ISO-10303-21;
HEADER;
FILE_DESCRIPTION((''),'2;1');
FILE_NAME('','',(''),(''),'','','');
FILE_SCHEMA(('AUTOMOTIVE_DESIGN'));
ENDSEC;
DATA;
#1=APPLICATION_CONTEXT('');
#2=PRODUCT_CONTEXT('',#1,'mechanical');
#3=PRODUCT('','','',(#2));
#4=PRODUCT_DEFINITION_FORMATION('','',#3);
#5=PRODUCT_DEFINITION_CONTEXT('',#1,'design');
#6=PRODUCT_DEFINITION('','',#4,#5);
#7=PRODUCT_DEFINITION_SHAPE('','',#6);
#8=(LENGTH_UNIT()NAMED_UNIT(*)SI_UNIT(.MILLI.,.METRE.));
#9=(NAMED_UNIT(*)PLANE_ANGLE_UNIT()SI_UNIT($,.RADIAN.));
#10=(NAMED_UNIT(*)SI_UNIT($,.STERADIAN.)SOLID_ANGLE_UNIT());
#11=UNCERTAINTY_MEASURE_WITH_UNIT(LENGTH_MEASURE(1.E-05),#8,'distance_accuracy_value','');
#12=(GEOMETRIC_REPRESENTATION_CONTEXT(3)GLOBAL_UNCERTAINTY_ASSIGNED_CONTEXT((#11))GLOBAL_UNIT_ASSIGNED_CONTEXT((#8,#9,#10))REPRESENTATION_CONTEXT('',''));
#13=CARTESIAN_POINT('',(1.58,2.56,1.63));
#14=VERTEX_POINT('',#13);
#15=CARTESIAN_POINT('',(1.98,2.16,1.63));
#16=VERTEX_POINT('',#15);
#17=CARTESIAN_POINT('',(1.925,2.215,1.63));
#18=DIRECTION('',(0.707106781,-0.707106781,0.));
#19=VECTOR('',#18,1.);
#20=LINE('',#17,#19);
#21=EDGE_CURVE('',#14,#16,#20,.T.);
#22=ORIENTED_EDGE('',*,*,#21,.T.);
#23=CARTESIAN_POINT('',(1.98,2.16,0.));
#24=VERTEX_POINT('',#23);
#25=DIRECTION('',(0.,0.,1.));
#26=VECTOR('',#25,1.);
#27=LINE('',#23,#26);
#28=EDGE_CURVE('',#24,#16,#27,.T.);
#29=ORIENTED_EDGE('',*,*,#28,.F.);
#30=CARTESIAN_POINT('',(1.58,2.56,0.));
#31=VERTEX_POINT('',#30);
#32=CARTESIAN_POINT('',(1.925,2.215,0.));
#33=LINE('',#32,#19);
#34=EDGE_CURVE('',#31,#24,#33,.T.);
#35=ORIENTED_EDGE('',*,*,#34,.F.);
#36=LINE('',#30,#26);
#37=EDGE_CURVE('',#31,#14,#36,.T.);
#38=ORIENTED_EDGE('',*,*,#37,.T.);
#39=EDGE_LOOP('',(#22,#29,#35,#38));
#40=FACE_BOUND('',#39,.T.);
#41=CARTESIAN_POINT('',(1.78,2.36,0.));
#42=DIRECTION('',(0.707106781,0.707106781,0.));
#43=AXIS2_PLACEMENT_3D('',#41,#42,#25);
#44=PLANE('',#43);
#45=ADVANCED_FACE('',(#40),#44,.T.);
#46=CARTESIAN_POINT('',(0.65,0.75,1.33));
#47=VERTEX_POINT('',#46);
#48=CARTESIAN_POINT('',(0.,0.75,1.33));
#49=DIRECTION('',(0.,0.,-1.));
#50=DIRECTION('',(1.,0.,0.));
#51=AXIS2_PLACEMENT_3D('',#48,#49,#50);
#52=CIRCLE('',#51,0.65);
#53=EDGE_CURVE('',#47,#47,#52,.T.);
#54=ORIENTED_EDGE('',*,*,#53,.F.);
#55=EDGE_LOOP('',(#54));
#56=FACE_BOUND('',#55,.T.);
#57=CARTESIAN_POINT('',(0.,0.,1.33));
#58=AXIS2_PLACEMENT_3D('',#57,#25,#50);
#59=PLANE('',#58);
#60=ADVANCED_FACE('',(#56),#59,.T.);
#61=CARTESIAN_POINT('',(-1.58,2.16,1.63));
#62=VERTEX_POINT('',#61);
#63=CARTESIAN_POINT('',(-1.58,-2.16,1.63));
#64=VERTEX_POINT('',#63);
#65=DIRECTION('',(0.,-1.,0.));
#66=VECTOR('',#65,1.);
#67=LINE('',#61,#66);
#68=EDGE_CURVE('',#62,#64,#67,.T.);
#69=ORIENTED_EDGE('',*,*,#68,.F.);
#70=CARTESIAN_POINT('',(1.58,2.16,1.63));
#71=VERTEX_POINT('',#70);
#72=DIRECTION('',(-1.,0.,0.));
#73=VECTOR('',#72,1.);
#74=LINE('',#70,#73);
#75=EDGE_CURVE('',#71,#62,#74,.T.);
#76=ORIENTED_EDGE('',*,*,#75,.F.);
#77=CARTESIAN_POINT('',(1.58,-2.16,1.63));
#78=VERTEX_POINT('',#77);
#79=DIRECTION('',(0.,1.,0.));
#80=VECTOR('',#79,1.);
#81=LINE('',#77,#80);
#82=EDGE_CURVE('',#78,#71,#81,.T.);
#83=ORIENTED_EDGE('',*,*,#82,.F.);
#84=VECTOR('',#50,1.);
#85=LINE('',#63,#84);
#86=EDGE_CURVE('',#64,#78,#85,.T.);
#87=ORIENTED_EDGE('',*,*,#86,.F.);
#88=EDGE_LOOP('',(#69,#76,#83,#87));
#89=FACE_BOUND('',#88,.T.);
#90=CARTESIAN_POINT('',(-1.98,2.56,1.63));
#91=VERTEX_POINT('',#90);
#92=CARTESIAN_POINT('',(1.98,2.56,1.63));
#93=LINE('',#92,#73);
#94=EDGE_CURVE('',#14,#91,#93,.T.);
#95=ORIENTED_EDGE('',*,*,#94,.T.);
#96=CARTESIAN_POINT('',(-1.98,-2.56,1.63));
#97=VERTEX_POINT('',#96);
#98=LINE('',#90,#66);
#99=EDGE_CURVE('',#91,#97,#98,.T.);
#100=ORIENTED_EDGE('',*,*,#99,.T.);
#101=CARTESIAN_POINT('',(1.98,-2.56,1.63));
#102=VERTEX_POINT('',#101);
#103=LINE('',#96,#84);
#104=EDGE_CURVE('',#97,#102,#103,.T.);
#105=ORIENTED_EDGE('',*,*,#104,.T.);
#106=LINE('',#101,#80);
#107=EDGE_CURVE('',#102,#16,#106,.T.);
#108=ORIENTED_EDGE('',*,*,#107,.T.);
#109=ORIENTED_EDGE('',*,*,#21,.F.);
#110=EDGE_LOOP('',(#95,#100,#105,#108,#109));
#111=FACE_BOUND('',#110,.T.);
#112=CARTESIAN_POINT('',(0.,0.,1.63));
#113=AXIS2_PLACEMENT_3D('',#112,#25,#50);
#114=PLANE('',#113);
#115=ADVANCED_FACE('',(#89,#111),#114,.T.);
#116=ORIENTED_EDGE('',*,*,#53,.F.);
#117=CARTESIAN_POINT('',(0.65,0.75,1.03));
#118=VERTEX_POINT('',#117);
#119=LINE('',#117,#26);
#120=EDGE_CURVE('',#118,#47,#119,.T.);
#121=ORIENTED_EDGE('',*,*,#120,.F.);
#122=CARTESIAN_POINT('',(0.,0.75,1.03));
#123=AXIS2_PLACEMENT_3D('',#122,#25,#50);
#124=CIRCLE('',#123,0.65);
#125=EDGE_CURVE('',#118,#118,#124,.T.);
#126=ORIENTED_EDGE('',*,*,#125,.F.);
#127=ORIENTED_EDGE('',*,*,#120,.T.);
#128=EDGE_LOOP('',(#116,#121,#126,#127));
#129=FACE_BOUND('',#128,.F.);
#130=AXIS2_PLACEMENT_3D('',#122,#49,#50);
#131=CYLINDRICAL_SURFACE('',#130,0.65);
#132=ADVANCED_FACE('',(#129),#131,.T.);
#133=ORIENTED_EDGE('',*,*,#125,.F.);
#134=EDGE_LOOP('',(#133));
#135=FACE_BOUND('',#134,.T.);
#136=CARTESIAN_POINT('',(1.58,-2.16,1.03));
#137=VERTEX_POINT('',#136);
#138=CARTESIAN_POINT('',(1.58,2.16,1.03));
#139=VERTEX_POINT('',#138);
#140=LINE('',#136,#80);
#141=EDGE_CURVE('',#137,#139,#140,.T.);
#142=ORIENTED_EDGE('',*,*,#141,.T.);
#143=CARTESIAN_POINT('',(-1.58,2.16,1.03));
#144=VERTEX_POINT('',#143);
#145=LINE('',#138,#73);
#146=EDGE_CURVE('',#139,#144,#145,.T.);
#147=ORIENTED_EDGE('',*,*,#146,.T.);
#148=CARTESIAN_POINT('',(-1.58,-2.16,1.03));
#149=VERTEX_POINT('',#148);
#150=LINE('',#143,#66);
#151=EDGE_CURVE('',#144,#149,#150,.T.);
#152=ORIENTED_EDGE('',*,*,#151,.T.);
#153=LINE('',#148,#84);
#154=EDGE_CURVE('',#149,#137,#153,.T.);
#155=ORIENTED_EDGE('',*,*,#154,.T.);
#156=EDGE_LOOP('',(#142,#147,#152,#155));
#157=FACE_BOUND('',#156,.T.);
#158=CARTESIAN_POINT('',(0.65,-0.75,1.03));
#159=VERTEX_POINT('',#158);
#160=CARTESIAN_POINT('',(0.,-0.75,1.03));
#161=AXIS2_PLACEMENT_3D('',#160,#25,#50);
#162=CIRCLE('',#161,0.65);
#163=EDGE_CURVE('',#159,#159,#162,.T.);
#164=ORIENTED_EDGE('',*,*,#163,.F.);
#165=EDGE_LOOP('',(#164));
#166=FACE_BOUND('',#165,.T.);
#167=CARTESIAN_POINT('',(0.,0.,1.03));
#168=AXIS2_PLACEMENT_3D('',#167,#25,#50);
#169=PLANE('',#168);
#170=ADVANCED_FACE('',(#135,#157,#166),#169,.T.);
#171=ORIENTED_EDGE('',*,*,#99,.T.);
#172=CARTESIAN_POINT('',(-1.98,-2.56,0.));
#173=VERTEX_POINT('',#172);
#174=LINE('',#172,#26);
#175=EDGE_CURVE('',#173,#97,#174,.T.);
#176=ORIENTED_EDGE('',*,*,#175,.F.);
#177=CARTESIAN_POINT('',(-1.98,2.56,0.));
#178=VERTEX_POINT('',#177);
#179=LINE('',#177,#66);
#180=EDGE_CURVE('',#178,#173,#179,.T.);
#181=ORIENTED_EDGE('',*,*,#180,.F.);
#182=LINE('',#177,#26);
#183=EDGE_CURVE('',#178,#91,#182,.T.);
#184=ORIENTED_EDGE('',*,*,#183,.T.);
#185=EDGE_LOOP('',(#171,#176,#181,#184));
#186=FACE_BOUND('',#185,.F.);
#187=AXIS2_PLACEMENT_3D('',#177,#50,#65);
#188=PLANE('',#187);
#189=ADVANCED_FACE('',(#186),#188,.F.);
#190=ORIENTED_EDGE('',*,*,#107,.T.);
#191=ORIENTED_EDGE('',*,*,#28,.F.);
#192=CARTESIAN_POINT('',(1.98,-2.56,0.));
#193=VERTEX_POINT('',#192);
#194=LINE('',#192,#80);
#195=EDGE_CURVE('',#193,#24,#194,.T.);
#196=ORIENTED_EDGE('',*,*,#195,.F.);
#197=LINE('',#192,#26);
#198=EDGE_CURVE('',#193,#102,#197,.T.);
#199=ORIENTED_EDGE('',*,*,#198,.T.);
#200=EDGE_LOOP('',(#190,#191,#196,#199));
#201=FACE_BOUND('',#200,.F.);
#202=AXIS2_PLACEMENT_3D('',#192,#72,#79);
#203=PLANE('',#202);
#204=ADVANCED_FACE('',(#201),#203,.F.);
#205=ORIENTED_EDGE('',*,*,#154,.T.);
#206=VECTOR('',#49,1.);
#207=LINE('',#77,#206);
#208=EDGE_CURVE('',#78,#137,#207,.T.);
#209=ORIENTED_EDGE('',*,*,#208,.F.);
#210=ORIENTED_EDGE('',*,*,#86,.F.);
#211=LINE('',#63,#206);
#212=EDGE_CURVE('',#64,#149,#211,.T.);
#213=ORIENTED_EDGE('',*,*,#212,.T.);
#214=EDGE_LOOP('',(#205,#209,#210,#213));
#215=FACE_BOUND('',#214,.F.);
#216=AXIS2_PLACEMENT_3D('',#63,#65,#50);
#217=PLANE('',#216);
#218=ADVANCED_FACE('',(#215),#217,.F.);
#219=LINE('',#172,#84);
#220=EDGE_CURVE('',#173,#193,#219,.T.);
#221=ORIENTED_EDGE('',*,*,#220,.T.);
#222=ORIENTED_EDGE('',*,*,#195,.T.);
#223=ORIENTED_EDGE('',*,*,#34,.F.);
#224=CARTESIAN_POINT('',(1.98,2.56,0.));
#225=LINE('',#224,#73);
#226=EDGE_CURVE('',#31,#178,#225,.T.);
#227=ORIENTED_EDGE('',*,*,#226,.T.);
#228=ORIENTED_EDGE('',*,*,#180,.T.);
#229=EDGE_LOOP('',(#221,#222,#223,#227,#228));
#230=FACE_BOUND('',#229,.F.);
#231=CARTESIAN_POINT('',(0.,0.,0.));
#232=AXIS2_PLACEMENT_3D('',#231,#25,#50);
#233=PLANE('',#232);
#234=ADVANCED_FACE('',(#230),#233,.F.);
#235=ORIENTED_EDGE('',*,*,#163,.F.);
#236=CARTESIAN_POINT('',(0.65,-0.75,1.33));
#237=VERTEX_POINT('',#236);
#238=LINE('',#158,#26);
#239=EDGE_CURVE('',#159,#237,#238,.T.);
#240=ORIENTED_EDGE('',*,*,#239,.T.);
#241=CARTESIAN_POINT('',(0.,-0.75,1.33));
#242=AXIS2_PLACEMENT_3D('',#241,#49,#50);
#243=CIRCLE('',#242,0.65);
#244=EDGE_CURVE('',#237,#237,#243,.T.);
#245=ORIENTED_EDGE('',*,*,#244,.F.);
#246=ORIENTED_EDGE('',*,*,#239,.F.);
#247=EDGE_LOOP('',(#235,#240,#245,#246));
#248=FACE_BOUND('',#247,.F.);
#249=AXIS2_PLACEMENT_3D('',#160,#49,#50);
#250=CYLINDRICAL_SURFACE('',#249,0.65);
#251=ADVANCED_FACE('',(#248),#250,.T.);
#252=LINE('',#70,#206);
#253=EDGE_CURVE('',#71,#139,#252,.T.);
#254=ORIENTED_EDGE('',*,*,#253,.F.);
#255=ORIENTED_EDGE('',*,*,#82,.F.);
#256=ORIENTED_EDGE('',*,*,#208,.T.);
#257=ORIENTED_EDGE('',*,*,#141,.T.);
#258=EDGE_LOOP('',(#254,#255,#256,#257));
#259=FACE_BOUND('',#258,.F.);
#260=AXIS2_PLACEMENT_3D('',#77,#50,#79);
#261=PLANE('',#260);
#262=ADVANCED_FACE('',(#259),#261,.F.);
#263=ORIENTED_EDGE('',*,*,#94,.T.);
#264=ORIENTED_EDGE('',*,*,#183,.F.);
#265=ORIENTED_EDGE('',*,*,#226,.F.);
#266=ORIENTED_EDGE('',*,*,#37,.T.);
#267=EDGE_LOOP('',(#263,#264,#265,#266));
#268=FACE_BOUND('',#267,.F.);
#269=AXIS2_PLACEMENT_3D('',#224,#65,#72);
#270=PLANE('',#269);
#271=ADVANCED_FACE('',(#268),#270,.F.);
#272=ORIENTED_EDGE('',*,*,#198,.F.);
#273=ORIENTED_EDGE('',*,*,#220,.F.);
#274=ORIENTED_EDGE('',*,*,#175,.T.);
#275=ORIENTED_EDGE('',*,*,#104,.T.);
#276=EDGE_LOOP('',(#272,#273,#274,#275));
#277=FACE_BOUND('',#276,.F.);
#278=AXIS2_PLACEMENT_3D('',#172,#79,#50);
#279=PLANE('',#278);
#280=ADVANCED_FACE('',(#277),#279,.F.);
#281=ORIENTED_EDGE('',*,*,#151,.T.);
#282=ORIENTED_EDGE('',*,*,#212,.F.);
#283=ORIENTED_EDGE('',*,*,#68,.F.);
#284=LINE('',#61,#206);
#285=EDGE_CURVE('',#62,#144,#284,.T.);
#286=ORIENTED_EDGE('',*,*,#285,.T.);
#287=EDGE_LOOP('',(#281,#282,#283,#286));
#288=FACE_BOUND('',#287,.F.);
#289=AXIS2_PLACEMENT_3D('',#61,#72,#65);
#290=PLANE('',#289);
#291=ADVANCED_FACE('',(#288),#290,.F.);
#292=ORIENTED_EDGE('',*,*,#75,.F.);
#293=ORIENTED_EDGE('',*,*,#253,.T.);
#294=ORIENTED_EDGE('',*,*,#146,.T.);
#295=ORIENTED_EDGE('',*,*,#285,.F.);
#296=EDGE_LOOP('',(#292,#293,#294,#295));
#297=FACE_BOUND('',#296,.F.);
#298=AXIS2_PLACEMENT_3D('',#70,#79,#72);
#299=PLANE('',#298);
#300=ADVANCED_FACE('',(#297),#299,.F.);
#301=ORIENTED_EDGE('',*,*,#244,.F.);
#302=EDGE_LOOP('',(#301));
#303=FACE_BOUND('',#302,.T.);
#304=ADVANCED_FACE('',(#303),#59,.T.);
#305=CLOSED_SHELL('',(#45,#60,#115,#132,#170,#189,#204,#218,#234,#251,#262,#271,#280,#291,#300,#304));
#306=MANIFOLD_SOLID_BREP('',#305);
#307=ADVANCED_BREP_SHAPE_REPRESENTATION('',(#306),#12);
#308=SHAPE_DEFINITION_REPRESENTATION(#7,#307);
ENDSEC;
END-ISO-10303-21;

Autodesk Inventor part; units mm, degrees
ref_plane "YZ Plane" through (0, 0, 0) normal (1, 0, 0) x (0, 1, 0)
ref_plane "XZ Plane" through (0, 0, 0) normal (0, 1, 0) x (-1, 0, 0)
ref_plane "XY Plane" through (0, 0, 0) normal (0, 0, 1) x (1, 0, 0)
sketch "Skizze1" plane through (0, 0, 0) normal (0, 0, 1) x (1, 0, 0)
  line L0 (-1.98, -2.56) -> (1.98, -2.56)
  line L1 (1.98, -2.56) -> (1.98, 2.56)
  line L2 (1.98, 2.56) -> (-1.98, 2.56)
  line L3 (-1.98, 2.56) -> (-1.98, -2.56)
  line L4 (-1.98, -2.56) -> (1.98, 2.56) construction
  line L5 (1.98, -2.56) -> (-1.98, 2.56) construction
  point P0 (0, 0)
  dimension "d0" = 3.96
  dimension "d1" = 5.12
extrude "Extrusion1" add sketch "Skizze1" along normal blind 1.63
sketch "Skizze2" plane through (0, 0, 1.63) normal (0, 0, 1) x (1, 0, 0)
  line L0 (-1.98, -2.56) -> (1.98, -2.56) projected
  line L1 (1.98, -2.56) -> (1.98, 2.56) projected
  line L2 (1.98, 2.56) -> (-1.98, 2.56) projected
  line L3 (-1.98, 2.56) -> (-1.98, -2.56) projected
  line L4 (-1.58, -2.16) -> (1.58, -2.16)
  line L5 (1.58, -2.16) -> (1.58, 2.16)
  line L6 (1.58, 2.16) -> (-1.58, 2.16)
  line L7 (-1.58, 2.16) -> (-1.58, -2.16)
  line L8 (-1.58, -2.16) -> (1.58, 2.16) construction
  line L9 (1.58, -2.16) -> (-1.58, 2.16) construction
  point P0 (0, 0)
  dimension "d4" = 0.4
  dimension "d5" = 0.4
extrude "Extrusion2" cut sketch "Skizze2" against normal blind 0.6 contours L7 L6 L5 L4
sketch "Skizze3" plane through (0, 0, 1.03) normal (0, 0, 1) x (1, 0, 0)
  line L0 (0, 3.584) -> (0, -3.584) projected
  circle A0 centre (0, 0.75) radius 0.65
  circle A1 centre (0, -0.75) radius 0.65
  line L1 (-2.772, 0) -> (2.772, 0) projected
  point P0 (0, 0)
  dimension "d8" = 1.3
  dimension "d9" = 1.3
  dimension "d10" = 1.5
extrude "Extrusion3" add sketch "Skizze3" along normal blind 0.3
chamfer "Fase1" distance 0.4 angle 45 1 edges at (1.98, 2.56, 0.815)
equation "\"d9\" = d8"
properties part number "AEDR-8300-1Wx Encoder"
